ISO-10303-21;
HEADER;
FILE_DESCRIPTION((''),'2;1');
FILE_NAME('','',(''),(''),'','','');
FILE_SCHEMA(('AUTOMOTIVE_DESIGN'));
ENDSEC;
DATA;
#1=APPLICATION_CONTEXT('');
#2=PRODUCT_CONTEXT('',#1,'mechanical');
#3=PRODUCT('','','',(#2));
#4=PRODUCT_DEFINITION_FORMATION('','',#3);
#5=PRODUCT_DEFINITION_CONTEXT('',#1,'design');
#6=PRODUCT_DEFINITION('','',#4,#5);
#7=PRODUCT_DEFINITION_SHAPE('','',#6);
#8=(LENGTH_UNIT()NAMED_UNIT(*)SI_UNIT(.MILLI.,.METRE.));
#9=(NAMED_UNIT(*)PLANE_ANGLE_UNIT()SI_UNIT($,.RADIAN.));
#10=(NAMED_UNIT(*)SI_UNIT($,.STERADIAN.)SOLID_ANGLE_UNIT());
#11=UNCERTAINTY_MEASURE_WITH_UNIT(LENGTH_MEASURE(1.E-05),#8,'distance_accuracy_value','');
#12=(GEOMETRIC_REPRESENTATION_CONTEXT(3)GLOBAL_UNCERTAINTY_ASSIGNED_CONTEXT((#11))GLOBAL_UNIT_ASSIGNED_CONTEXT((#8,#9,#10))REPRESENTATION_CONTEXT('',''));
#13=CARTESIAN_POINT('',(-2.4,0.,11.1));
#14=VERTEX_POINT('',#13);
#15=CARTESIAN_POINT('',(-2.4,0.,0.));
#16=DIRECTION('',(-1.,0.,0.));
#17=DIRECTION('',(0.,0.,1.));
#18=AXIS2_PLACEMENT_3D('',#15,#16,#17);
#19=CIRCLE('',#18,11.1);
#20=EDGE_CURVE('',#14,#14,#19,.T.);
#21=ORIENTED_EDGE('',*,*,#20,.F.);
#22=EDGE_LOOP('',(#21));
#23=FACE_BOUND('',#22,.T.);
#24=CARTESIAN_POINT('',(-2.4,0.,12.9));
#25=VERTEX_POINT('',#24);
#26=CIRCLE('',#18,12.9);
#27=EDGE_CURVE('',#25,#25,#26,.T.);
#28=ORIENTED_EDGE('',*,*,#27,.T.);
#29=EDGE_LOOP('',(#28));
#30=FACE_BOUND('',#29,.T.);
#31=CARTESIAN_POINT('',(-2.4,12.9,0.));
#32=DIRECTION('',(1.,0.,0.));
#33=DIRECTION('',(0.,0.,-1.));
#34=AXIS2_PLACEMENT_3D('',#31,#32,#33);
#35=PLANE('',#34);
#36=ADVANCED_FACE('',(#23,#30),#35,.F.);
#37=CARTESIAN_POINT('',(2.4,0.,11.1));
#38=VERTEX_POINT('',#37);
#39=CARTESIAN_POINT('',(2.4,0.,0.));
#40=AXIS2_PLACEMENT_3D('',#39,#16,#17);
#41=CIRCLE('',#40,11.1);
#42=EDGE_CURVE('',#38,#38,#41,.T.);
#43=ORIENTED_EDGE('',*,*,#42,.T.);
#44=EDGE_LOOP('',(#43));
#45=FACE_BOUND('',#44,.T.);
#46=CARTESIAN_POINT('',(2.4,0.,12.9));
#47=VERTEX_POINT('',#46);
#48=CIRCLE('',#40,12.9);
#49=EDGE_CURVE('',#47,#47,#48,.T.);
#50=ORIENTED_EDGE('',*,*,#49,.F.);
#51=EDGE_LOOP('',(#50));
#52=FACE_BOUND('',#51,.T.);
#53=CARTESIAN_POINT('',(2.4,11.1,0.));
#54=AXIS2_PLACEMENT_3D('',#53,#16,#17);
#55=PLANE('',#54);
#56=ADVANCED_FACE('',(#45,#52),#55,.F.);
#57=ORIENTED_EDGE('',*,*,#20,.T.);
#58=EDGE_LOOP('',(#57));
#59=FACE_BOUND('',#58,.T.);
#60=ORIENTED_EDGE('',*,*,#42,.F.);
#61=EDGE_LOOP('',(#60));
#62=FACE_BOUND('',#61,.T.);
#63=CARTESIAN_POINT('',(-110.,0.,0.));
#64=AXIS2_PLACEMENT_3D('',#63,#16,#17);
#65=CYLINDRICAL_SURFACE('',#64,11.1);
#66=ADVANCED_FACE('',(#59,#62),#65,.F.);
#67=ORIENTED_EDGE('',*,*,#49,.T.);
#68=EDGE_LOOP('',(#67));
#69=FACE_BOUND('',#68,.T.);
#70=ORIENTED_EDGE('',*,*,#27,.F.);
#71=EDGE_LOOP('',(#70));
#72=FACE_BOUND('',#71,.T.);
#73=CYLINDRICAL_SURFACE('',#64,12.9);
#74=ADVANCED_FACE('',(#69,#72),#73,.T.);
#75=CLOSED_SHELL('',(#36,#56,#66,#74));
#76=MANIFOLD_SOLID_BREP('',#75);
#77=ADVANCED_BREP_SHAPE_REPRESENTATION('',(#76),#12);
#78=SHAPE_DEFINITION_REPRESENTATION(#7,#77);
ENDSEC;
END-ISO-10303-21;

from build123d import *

# Parameters (mm, degrees)
AXIAL_PROFILE_MM_W = 4.8
AXIAL_PROFILE_MM_H = 1.8


with BuildPart() as part:
    # Axial profile (mm) → Full revolution (revolve)
    with BuildSketch(Plane.XY, mode=Mode.PRIVATE) as full_revolution_sk:
        with Locations((0, 12)):
            Rectangle(AXIAL_PROFILE_MM_W, AXIAL_PROFILE_MM_H)
    revolve(full_revolution_sk.sketch.rotate(Axis((-110, 0, 0), (1, 0, 0)), 90), axis=Axis((-110, 0, 0), (1, 0, 0)))


solid = part.part
